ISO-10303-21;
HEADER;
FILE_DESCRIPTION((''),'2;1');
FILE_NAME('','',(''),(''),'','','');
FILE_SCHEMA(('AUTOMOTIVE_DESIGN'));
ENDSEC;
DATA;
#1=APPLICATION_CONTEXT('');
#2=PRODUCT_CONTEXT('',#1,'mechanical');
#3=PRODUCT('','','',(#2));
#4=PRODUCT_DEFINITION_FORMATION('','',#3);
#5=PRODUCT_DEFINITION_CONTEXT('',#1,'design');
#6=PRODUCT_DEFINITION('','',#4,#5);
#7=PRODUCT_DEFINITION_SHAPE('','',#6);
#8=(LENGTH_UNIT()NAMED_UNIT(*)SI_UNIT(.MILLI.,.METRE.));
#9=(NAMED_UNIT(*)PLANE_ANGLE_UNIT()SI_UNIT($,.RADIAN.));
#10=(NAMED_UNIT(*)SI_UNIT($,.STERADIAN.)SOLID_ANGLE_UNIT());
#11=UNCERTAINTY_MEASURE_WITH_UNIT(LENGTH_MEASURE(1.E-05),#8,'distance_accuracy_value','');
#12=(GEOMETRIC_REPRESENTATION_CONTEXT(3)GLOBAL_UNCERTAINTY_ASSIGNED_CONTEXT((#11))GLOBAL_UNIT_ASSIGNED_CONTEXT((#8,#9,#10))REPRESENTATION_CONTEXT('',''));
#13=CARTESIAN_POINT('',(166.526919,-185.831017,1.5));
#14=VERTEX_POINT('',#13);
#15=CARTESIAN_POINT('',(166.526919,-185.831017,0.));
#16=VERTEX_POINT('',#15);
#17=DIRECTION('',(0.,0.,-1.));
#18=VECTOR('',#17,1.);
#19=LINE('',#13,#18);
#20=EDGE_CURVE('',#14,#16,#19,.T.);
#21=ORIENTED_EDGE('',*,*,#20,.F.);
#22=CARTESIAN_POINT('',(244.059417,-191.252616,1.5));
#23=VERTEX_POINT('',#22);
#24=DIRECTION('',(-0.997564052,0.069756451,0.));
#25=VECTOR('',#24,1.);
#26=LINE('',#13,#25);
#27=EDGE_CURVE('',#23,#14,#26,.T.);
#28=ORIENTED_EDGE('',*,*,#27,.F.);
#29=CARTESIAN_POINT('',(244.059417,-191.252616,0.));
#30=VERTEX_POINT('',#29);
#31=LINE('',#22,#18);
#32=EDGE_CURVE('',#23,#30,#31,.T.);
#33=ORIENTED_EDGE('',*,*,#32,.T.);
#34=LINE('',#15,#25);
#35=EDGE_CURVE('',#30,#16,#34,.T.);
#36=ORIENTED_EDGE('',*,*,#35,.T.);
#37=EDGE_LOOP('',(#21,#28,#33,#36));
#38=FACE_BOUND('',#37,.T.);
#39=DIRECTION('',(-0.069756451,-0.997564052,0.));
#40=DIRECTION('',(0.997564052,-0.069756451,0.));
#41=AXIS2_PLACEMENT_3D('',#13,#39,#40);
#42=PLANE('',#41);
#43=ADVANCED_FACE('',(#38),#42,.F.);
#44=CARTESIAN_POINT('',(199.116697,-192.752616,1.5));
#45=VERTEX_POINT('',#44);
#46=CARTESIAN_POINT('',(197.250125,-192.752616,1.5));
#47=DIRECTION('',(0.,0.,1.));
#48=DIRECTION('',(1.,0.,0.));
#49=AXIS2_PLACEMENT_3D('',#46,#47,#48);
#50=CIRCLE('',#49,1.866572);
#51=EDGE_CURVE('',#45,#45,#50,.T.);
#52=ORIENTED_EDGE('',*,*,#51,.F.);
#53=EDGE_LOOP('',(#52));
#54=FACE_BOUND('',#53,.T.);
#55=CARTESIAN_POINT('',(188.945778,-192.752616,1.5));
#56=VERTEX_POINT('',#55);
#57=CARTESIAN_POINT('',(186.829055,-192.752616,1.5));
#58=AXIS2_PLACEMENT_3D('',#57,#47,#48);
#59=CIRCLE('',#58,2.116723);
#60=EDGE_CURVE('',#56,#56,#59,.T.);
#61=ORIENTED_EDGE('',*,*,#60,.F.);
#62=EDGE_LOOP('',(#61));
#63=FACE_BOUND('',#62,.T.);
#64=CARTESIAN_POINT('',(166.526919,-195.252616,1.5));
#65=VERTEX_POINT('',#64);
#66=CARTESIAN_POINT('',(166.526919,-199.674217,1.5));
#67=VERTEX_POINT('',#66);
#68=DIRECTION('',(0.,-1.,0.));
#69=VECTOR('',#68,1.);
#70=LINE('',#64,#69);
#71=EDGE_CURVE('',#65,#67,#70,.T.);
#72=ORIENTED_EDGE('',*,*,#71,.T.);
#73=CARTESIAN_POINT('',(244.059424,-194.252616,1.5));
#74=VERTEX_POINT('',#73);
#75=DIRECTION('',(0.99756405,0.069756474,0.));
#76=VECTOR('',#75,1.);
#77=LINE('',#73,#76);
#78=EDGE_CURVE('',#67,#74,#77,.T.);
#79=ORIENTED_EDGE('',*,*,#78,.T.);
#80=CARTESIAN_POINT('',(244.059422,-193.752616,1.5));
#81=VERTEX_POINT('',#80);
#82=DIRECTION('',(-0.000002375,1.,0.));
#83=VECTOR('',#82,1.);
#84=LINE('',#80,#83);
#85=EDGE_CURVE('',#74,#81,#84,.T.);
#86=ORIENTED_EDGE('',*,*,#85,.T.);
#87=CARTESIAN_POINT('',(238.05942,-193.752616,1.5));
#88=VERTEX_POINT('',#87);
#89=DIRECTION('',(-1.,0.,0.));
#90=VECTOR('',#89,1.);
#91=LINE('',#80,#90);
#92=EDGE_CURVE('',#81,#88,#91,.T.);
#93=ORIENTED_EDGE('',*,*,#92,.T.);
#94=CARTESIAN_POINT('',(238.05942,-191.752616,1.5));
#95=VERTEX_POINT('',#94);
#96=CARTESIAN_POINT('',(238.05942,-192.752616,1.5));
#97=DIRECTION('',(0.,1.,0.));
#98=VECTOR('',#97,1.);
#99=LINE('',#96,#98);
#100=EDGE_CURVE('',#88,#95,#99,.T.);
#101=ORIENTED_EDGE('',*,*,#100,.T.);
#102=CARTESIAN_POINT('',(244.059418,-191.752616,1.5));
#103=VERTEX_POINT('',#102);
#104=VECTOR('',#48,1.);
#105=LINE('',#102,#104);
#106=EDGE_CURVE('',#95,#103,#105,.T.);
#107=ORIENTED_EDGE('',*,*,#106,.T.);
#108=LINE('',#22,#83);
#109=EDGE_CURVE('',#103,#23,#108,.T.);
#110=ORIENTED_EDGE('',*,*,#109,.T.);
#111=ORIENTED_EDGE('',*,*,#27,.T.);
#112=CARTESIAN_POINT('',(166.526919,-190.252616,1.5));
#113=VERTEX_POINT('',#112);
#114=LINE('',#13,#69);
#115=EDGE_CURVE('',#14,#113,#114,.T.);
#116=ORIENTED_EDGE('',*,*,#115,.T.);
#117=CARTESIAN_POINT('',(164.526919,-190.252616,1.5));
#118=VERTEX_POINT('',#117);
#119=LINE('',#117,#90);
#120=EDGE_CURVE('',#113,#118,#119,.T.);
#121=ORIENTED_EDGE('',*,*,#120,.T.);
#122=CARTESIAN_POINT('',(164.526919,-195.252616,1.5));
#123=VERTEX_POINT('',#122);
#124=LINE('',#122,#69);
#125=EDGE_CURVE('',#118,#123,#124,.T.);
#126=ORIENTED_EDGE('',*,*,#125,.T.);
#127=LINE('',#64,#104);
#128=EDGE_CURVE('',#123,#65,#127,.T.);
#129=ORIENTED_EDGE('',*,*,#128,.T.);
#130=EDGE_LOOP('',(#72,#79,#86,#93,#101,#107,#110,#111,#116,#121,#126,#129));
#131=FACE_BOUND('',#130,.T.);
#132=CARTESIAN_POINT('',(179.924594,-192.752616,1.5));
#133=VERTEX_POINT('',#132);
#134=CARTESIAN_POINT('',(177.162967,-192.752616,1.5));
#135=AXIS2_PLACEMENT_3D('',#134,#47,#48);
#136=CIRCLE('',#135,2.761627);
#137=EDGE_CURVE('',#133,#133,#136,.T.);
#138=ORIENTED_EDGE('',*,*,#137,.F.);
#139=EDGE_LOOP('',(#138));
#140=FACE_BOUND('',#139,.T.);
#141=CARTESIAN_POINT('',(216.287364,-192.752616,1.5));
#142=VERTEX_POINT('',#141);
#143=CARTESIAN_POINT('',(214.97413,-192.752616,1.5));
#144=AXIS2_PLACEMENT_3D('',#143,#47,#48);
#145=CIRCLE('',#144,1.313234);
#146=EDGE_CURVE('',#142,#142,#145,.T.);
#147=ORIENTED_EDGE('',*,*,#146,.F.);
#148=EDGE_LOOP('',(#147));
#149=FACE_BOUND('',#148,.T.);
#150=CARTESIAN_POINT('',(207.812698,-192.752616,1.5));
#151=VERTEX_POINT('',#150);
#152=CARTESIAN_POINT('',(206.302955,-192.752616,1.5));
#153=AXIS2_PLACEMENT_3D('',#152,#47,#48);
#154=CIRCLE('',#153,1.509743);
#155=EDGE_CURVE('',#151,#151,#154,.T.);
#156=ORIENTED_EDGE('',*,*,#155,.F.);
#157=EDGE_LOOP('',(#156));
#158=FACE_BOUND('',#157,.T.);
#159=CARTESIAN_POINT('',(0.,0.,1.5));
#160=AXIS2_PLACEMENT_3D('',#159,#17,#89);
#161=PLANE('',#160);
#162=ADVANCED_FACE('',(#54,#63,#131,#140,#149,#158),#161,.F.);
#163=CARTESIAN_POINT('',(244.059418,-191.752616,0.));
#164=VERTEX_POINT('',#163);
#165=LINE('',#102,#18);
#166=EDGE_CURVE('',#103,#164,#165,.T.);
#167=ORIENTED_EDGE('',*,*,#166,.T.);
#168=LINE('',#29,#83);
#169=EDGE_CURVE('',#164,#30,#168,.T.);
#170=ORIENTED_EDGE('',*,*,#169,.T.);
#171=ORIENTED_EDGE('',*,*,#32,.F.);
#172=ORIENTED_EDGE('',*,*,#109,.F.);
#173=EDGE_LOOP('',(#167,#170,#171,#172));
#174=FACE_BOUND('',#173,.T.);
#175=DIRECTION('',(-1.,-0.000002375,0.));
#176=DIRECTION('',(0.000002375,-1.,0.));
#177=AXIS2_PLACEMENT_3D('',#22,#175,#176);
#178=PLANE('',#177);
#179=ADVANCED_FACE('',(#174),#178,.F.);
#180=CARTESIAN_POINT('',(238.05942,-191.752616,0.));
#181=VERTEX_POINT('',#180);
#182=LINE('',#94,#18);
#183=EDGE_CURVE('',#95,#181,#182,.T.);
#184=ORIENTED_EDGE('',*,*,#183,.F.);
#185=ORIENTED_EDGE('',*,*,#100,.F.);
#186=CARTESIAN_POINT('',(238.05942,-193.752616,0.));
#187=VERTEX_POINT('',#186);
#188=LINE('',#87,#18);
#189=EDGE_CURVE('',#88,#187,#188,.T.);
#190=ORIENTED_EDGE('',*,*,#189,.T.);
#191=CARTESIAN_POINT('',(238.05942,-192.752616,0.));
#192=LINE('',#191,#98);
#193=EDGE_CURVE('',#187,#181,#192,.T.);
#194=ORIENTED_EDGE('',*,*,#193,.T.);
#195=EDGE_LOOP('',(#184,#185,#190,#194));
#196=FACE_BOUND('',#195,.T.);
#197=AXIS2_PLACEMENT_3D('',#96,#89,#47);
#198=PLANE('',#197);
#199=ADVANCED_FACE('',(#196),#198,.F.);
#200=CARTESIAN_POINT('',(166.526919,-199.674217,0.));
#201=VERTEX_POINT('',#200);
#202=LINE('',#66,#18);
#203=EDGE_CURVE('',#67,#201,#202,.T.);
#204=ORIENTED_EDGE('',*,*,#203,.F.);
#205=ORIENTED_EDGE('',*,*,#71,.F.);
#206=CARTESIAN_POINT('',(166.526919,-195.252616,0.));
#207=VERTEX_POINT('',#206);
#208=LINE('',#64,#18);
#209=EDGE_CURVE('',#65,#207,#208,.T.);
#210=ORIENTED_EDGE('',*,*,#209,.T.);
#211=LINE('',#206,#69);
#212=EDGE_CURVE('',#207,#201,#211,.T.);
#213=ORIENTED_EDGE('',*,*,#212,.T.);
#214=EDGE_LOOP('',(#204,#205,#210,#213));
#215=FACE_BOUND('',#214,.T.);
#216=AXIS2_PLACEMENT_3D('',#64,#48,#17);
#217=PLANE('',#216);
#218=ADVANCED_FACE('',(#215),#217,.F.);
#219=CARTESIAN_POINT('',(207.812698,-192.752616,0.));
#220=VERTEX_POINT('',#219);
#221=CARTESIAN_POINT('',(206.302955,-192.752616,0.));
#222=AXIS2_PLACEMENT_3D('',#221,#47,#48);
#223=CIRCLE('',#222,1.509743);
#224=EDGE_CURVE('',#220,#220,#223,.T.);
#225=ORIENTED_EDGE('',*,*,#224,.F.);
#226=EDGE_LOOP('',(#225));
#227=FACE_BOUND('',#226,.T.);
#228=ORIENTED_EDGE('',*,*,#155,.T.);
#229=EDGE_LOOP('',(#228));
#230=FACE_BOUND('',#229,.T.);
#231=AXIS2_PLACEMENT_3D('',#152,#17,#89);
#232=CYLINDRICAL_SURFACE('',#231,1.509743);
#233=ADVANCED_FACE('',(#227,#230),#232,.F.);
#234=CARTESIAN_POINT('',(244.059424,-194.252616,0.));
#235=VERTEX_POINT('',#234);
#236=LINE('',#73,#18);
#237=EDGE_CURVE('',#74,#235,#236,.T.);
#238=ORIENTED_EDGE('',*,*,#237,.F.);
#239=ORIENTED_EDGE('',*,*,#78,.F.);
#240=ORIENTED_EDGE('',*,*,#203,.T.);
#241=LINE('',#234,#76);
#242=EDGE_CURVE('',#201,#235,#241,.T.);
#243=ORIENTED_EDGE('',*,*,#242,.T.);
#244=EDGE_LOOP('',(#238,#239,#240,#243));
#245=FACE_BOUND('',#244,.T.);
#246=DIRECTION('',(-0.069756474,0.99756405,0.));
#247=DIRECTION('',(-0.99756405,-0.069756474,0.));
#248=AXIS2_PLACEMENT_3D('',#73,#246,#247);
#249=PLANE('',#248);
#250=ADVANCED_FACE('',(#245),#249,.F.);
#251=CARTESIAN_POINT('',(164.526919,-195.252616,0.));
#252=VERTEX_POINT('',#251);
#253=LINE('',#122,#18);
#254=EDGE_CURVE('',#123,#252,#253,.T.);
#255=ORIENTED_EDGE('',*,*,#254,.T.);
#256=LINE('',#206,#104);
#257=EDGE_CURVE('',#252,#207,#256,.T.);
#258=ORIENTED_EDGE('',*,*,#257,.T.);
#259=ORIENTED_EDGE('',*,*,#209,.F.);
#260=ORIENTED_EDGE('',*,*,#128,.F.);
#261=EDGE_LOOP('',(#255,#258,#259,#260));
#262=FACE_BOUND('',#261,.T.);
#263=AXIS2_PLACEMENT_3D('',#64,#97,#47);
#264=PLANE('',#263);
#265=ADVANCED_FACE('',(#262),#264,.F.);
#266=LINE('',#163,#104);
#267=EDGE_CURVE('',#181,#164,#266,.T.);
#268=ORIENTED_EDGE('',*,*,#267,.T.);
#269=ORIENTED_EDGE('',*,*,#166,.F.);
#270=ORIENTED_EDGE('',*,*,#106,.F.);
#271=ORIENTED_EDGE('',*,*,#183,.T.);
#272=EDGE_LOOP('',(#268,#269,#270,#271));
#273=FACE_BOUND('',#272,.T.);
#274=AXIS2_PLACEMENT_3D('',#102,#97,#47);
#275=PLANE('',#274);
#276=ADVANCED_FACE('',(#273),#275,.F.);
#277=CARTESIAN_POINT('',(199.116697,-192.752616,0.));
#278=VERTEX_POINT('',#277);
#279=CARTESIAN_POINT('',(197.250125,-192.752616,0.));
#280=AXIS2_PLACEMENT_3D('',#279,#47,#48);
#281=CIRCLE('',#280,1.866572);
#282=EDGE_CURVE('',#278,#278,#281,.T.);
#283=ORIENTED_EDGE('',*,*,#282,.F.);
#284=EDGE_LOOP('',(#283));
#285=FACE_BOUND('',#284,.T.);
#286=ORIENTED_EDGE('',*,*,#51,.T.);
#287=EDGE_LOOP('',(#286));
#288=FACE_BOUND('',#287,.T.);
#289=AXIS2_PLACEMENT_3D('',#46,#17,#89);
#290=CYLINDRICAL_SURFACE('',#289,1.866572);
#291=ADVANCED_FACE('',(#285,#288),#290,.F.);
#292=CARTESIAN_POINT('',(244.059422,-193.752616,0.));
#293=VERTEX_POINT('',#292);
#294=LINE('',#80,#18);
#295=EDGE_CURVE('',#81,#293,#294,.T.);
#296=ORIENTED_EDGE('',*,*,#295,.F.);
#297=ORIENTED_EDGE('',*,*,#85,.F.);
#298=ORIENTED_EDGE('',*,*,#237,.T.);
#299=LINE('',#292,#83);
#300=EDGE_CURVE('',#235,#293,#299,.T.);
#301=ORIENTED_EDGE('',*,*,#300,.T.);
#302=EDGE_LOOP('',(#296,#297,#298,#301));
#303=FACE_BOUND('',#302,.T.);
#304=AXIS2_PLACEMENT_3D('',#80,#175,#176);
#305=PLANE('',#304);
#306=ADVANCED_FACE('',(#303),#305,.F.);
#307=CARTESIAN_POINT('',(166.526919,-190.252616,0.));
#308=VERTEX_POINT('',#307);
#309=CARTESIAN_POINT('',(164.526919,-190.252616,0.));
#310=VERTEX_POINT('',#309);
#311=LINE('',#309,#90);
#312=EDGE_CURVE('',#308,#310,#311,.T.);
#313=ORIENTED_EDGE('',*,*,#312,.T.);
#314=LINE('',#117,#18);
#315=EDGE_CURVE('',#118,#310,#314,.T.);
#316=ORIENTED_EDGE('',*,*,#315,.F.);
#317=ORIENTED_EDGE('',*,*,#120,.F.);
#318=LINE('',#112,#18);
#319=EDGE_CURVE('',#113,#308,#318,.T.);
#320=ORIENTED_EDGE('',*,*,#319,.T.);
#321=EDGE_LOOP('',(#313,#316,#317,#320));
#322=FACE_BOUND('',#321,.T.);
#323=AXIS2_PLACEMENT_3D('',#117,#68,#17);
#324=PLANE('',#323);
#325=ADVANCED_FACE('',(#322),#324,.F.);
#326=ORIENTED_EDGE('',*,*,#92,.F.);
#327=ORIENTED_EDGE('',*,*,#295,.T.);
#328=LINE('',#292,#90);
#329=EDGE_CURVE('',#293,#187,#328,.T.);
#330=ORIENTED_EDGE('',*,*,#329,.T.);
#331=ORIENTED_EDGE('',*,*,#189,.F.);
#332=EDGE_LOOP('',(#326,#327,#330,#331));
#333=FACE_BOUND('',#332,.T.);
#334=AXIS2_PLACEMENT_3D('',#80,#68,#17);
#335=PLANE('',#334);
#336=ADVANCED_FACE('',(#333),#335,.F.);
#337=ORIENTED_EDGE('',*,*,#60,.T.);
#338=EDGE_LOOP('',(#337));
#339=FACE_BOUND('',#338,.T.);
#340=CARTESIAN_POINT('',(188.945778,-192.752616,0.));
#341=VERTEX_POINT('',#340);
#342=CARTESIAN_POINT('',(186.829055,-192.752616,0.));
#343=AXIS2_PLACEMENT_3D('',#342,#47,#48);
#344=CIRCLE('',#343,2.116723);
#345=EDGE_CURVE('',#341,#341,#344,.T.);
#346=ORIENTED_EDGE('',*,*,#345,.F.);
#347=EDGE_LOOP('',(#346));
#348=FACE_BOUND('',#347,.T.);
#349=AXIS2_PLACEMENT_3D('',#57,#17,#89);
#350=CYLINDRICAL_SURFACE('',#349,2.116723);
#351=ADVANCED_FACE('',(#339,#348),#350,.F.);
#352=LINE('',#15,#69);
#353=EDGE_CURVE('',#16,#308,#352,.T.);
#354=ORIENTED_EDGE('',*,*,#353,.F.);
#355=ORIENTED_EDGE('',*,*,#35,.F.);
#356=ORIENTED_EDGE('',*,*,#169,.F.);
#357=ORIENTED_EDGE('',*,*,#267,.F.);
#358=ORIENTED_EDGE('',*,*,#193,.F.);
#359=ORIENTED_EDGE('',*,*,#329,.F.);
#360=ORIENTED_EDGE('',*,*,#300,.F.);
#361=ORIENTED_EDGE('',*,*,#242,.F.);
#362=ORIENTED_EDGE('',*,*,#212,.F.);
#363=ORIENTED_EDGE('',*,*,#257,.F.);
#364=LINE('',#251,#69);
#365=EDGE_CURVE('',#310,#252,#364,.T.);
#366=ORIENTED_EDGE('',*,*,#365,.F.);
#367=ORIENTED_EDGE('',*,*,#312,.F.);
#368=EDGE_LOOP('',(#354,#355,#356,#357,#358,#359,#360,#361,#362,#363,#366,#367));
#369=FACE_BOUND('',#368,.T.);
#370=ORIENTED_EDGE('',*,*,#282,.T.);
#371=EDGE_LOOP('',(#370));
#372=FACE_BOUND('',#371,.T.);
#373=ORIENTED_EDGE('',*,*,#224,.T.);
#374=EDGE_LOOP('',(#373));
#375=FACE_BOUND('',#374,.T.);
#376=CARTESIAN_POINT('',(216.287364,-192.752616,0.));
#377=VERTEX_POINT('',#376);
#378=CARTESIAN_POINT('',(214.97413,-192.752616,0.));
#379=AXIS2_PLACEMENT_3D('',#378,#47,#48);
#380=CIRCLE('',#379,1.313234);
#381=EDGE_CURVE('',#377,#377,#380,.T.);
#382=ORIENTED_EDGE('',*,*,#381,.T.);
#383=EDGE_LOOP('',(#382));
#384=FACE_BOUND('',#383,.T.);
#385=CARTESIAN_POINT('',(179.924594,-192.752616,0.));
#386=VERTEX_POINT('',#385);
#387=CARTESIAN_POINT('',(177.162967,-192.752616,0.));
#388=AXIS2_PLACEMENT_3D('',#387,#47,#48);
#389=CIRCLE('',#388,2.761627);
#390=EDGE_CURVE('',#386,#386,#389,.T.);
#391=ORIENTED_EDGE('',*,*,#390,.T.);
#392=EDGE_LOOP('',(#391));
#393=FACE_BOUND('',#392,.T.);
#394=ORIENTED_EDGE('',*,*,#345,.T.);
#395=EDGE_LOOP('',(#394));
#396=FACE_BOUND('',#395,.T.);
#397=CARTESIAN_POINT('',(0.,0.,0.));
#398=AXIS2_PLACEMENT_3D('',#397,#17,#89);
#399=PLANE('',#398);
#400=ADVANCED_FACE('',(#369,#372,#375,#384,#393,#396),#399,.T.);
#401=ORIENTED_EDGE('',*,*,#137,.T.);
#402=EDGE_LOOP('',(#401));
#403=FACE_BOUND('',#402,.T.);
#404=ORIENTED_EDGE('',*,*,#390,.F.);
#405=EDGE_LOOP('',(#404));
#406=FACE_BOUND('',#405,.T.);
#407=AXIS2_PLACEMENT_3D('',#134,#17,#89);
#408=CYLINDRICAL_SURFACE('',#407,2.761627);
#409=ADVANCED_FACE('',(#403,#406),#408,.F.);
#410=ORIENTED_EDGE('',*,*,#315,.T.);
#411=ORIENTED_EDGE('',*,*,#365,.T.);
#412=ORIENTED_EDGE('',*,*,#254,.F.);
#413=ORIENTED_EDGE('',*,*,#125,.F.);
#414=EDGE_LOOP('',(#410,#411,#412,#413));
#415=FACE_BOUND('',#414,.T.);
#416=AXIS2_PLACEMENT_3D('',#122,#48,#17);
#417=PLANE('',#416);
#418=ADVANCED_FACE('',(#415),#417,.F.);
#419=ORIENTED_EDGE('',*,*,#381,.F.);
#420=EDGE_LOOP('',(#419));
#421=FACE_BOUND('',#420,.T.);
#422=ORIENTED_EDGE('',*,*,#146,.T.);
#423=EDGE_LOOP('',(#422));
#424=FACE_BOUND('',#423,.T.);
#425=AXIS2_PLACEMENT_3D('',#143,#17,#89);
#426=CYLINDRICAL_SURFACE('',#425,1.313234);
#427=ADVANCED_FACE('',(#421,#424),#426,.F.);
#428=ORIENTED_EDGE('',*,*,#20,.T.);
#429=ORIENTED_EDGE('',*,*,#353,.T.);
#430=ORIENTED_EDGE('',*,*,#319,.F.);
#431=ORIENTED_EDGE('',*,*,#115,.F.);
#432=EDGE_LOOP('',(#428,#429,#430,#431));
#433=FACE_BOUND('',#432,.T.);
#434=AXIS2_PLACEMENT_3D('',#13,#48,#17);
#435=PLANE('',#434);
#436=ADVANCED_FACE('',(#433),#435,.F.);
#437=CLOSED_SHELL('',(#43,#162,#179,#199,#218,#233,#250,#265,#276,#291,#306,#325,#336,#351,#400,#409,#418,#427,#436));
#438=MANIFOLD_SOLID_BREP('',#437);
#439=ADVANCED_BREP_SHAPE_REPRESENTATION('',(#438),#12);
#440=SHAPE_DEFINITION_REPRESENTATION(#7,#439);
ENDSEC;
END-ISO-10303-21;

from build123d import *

# Parameters (mm, degrees)
MODEL_R         = 2.761626555
MODEL_R_2       = 1.866571664
MODEL_R_3       = 1.313234148
MODEL_R_4       = 2.116722719
MODEL_R_5       = 1.509742993
EXTRUDE_1_DEPTH = 1.5


with BuildPart() as part:
    # Model → 凸台-拉伸1 (new body)
    with BuildSketch(Plane.XY):
        Polygon((244.059423642, -194.252615776), (166.526919178, -199.674216635), (166.526919178, -195.252615776), (164.526919178, -195.252615776), (164.526919178, -190.252615776), (166.526919178, -190.252615776), (166.526919178, -185.831017216), (244.059416516, -191.252615776), (244.059417704, -191.752615776), (238.059420079, -191.752615776), (238.059420079, -192.752615776), (238.059420079, -193.752615776), (244.059422454, -193.752615776), align=None)
        with Locations((177.162967315, -192.752615776)):
            Circle(MODEL_R, mode=Mode.SUBTRACT)
        with Locations((197.250125118, -192.752615776)):
            Circle(MODEL_R_2, mode=Mode.SUBTRACT)
        with Locations((214.974129703, -192.752615776)):
            Circle(MODEL_R_3, mode=Mode.SUBTRACT)
        with Locations((186.829055112, -192.752615776)):
            Circle(MODEL_R_4, mode=Mode.SUBTRACT)
        with Locations((206.302954902, -192.752615776)):
            Circle(MODEL_R_5, mode=Mode.SUBTRACT)
    extrude(amount=EXTRUDE_1_DEPTH)


solid = part.part
